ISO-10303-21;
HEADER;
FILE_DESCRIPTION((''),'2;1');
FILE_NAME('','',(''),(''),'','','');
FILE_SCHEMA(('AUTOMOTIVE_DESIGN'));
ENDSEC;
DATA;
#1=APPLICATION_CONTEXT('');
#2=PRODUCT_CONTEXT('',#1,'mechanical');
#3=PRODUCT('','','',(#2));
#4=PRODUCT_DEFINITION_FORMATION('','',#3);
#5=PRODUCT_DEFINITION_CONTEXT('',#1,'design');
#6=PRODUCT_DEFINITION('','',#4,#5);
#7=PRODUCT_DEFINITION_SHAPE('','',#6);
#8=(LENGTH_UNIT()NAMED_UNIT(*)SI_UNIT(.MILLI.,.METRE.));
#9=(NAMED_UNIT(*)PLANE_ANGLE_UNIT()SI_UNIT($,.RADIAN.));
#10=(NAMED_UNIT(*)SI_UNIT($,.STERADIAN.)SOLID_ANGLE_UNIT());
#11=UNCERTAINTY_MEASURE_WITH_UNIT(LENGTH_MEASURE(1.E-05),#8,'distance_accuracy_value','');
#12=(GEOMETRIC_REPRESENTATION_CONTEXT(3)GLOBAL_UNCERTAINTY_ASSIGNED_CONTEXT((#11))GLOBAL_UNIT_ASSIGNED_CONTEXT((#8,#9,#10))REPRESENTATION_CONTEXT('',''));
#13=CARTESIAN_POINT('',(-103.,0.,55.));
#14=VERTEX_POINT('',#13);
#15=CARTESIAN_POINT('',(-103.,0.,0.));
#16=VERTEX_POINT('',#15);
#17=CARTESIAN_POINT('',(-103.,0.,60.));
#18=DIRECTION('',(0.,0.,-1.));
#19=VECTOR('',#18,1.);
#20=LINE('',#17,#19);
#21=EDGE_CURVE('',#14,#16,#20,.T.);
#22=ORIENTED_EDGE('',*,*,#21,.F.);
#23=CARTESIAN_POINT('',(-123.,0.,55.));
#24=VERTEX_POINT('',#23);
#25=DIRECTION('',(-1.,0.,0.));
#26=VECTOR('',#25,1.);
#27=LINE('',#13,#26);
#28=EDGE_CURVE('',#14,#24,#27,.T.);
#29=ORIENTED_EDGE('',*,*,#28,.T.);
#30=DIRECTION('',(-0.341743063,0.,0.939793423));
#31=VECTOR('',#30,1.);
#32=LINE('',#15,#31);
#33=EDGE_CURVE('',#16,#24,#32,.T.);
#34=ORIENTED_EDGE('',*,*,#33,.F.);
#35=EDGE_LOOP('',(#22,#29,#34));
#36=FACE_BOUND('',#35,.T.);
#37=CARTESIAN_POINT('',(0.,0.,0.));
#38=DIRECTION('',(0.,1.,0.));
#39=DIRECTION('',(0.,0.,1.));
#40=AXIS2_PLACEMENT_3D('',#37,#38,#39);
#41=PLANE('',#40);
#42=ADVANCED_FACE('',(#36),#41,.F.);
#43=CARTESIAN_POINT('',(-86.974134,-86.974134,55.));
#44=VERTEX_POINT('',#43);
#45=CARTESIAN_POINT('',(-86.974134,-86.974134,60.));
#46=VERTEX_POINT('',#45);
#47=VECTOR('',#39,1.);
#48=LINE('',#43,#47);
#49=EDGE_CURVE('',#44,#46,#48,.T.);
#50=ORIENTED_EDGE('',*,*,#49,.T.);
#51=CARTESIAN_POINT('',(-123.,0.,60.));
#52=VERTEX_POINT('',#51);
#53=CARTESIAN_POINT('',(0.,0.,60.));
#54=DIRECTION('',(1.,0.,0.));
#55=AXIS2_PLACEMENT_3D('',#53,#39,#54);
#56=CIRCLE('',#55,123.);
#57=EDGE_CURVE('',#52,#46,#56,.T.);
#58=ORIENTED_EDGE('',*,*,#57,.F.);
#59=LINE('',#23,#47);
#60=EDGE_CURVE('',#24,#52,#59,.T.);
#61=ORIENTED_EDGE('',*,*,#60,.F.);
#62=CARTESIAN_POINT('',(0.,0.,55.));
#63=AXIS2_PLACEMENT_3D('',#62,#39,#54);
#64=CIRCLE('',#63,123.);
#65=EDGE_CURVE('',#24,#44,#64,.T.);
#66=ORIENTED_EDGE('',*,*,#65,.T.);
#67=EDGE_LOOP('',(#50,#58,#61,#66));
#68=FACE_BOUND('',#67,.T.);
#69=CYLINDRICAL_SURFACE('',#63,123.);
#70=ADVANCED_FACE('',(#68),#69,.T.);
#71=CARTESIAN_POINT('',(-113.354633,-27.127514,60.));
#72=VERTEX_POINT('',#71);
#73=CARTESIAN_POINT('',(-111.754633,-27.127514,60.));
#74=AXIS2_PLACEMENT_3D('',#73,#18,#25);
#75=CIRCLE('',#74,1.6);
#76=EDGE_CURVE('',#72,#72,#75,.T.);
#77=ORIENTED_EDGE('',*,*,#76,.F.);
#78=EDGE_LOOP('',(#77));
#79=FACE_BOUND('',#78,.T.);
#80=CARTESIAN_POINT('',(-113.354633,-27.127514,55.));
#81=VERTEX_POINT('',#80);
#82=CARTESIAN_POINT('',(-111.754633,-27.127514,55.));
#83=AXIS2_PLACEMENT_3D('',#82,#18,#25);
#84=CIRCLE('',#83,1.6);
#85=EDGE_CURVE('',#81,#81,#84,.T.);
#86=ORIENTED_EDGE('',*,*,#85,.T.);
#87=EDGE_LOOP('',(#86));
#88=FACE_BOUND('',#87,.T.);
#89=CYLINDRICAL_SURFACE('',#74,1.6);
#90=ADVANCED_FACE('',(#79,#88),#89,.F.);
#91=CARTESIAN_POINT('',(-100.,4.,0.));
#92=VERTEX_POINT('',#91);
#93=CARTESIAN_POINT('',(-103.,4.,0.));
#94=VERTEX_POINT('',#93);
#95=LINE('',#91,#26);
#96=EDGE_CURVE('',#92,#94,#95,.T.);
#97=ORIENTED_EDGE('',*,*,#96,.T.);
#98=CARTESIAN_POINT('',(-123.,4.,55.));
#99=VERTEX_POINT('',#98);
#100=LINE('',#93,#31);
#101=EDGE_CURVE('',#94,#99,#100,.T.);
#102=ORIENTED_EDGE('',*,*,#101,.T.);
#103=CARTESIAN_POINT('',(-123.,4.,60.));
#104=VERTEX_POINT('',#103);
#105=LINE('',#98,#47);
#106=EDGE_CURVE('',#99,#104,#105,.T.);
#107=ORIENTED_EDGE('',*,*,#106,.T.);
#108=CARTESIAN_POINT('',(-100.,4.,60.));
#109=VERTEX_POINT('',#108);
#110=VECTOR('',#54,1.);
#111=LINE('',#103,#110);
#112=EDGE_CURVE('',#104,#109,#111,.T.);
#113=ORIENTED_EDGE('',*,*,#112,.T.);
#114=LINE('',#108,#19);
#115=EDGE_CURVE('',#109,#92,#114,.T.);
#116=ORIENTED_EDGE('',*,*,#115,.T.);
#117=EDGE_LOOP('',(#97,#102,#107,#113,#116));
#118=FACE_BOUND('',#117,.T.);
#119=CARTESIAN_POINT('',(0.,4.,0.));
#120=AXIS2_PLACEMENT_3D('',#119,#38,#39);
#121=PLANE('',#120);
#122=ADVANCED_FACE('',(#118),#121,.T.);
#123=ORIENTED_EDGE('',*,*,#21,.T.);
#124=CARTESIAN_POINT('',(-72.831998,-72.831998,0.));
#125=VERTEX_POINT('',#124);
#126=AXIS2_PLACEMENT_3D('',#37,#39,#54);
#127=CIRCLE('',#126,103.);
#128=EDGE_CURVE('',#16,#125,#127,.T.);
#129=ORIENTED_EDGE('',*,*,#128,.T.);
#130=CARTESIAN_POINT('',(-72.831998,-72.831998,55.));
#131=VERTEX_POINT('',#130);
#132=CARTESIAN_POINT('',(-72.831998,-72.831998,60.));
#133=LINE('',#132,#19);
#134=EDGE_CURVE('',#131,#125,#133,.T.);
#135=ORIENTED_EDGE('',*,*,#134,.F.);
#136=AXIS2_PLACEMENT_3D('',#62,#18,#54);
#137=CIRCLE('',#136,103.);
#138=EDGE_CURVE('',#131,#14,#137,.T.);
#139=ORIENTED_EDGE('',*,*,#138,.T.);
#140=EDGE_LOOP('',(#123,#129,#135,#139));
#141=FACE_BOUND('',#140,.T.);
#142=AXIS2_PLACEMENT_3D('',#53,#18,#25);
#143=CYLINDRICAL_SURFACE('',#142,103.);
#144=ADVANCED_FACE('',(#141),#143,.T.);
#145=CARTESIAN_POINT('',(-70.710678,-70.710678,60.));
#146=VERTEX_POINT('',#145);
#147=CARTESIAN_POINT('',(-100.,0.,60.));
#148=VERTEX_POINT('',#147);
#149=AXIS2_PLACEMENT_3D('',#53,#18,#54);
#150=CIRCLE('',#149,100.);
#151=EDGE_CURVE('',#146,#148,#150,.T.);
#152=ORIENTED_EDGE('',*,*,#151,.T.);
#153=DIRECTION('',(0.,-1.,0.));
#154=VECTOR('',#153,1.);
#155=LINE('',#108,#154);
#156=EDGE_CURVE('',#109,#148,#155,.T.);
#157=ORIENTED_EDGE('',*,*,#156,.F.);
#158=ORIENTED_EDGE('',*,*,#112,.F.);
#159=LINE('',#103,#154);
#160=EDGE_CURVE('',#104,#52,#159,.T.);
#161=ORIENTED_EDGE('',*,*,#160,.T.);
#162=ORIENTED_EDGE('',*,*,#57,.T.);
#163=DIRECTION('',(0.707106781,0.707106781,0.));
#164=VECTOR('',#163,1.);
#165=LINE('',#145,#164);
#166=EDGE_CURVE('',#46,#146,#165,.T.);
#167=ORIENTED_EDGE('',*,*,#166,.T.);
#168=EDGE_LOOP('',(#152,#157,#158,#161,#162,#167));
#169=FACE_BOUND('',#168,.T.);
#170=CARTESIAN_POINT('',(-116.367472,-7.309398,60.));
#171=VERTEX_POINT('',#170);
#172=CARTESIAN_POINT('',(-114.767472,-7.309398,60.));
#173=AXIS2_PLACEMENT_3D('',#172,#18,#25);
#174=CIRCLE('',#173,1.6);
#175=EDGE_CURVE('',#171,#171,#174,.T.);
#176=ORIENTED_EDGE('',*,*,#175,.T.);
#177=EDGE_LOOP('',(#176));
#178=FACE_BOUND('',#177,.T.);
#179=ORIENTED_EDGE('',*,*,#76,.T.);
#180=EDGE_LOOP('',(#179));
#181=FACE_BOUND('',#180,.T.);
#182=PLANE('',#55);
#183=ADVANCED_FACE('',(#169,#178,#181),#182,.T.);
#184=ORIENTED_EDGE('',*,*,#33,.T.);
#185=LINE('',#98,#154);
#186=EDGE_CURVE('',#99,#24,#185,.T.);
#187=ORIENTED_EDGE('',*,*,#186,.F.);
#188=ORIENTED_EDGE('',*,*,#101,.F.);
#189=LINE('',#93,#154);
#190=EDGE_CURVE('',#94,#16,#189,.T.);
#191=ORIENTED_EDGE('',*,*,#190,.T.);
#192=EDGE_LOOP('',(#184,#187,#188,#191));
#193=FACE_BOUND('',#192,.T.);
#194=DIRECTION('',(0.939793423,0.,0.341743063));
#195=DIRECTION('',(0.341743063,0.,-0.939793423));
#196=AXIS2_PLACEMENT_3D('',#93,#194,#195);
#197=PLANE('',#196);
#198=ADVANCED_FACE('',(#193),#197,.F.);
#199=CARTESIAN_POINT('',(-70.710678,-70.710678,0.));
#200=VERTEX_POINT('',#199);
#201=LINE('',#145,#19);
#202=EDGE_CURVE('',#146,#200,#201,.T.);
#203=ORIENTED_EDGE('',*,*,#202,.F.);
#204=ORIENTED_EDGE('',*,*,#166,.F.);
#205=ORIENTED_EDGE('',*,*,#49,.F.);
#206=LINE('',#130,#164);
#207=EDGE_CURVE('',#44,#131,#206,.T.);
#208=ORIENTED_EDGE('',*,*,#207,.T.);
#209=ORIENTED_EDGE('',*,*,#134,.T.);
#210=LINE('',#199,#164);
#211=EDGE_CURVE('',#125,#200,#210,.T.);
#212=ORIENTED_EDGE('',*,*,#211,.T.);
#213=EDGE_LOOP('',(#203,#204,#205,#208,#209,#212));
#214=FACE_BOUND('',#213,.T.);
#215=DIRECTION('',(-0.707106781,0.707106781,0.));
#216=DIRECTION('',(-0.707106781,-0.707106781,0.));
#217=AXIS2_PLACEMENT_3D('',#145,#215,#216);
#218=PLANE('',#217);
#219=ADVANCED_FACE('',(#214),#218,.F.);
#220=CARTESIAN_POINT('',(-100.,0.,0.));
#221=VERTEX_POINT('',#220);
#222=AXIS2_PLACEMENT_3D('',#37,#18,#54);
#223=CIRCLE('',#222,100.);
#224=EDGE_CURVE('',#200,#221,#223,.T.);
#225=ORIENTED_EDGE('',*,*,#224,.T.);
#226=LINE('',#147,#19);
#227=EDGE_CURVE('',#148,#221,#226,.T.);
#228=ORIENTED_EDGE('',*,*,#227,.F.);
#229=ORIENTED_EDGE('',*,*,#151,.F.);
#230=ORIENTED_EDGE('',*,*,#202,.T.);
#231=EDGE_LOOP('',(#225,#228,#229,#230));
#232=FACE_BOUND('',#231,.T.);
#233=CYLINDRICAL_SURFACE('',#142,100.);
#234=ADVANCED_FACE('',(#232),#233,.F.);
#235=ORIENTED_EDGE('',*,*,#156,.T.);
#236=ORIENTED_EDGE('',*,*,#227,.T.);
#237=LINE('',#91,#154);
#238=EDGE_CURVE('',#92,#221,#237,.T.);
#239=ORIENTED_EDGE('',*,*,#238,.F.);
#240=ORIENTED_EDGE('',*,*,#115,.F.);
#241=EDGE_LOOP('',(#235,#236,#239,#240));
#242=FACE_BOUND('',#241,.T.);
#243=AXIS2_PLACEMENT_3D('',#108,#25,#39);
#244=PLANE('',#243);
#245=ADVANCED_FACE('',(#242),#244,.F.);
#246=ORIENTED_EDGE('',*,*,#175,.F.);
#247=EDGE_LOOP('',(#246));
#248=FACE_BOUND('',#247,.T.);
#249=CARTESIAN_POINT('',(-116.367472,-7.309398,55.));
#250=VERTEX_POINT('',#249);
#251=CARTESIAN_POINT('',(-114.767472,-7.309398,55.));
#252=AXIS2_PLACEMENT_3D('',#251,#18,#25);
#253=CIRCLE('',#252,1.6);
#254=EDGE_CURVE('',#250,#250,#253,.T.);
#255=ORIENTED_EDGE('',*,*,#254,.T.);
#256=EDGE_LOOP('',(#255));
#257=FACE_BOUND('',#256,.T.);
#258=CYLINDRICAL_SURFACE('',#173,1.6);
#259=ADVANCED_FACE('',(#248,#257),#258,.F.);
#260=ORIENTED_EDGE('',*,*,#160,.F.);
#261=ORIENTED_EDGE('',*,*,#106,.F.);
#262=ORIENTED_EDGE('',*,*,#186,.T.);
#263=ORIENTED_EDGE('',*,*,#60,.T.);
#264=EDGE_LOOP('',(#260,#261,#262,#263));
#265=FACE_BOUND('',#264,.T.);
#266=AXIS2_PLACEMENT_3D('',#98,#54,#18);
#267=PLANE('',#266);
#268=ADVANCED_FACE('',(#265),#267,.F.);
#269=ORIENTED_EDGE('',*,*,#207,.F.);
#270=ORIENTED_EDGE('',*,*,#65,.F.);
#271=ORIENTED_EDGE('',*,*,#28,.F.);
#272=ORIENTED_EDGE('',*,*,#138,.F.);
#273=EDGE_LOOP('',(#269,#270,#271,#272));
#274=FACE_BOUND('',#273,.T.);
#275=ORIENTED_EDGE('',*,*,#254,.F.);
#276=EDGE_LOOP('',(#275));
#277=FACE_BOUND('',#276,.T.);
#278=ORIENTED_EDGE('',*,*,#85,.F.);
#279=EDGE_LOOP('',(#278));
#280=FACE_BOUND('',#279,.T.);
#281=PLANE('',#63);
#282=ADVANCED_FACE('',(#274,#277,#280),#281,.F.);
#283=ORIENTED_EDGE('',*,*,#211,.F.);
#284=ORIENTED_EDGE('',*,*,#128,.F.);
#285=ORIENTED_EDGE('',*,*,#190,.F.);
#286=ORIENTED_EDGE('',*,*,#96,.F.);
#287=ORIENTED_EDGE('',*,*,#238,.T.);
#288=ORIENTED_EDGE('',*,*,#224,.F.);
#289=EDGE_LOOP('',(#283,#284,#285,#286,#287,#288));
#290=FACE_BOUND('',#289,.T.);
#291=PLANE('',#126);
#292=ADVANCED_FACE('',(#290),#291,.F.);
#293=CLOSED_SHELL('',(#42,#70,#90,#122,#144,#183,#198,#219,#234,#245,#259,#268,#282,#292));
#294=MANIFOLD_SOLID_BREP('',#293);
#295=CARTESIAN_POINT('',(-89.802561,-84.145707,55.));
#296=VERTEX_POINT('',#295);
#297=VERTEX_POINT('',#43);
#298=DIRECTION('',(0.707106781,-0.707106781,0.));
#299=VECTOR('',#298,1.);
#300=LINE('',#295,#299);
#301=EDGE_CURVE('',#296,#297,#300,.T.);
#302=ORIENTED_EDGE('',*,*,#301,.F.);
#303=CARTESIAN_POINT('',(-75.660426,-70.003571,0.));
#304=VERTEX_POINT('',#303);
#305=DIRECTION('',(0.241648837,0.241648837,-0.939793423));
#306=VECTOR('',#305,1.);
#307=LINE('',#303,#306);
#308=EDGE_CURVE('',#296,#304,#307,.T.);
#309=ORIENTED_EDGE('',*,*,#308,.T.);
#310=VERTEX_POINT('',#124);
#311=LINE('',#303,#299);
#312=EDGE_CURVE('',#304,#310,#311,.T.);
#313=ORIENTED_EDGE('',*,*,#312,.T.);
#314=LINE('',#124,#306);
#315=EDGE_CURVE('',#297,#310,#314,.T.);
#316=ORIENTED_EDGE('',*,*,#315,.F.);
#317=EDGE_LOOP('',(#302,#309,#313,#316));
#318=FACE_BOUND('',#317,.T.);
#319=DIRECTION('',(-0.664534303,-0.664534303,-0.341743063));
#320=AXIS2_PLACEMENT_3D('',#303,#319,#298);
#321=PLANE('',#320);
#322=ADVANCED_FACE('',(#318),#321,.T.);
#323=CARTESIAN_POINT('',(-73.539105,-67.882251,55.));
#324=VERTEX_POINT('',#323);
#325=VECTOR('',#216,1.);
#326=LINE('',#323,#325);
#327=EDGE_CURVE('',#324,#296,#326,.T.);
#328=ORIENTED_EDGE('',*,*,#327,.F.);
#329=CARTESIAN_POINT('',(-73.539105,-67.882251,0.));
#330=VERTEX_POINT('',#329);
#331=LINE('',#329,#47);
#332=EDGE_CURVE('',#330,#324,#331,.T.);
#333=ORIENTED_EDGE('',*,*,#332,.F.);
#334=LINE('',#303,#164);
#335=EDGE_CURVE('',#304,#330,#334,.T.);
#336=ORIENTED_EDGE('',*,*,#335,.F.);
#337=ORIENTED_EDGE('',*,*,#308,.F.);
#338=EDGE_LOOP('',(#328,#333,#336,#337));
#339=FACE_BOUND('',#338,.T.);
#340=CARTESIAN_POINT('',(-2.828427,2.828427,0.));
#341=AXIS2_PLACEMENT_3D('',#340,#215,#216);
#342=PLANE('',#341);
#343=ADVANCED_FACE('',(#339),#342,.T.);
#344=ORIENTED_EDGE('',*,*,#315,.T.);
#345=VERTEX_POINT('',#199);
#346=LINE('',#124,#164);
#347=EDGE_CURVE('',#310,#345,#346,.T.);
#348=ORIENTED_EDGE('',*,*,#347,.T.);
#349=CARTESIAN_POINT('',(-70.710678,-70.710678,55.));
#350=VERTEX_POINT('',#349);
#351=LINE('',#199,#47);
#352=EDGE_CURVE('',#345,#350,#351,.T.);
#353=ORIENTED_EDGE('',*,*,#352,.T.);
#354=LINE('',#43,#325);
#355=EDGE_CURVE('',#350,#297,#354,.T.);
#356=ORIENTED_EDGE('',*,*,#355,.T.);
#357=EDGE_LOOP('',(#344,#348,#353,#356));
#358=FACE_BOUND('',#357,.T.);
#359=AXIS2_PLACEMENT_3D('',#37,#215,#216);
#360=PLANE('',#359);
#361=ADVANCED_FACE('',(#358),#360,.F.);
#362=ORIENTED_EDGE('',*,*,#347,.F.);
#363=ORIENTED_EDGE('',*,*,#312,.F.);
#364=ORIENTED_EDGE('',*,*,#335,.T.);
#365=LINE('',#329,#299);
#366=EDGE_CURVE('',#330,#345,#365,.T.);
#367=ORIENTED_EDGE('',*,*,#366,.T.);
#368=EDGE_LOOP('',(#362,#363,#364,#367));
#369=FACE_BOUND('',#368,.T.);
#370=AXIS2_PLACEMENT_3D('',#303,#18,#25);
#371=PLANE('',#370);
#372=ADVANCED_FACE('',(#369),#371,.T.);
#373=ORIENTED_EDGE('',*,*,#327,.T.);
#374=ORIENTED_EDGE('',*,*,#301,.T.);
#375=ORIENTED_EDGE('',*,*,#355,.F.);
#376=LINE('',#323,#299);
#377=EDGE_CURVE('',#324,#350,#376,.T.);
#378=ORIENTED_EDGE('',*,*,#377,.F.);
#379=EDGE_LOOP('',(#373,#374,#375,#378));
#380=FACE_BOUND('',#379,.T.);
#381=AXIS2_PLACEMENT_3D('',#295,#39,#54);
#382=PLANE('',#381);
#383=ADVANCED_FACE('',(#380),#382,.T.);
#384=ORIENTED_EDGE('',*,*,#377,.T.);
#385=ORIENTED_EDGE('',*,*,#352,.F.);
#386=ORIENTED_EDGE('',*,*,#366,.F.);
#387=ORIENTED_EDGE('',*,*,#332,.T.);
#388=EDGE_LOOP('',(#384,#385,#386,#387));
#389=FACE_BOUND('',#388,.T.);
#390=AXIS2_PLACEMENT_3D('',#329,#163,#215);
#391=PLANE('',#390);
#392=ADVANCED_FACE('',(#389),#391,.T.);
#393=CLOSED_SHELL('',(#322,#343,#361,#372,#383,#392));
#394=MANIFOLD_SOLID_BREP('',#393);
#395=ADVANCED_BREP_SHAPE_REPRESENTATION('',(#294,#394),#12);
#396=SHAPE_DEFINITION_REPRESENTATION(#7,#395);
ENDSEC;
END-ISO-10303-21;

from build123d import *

# Parameters (mm, degrees)
EXTRUDE_1_DEPTH     = 60
EXTRUDE_START       = -5
EXTRUDE_2_DEPTH     = 5
SKETCH_4_R          = 1.6
CUT_EXTRUDE_1_DEPTH = 161.369884954
EXTRUDE_3_DEPTH     = 4
EXTRUDE_4_DEPTH     = 4


with BuildPart() as part:
    # 草图1 → 凸台-拉伸1 (new body)
    with BuildSketch(Plane.XY):
        with BuildLine():
            Line((-100, 0), (-103, 0))
            ThreePointArc((-103, 0), (-95.159591849, -39.416393534), (-72.831998462, -72.831998462))
            Line((-72.831998462, -72.831998462), (-70.710678119, -70.710678119))
            ThreePointArc((-70.710678119, -70.710678119), (-92.387953251, -38.268343237), (-100, 0))
        make_face()
    extrude(amount=EXTRUDE_1_DEPTH)

    # 草图2 → 凸台-拉伸2 (add)
    with BuildSketch(Plane.XY.offset(60).offset(EXTRUDE_START)):
        with BuildLine():
            Line((-103, 0), (-123, 0))
            ThreePointArc((-123, 0), (-113.637182499, -47.070062181), (-86.974134086, -86.974134086))
            Line((-86.974134086, -86.974134086), (-72.831998462, -72.831998462))
            ThreePointArc((-72.831998462, -72.831998462), (-95.159591849, -39.416393534), (-103, 0))
        make_face()
    extrude(amount=EXTRUDE_2_DEPTH)

    # 草图4 → 切除-拉伸1 (cut, through all)
    with BuildSketch(Plane(origin=(0, 0, 55), x_dir=(-1, 0, 0), z_dir=(0, 0, -1))):
        with Locations((111.754632886, -27.127514233)):
            Circle(SKETCH_4_R)
        with Locations((114.767472313, -7.30939799)):
            Circle(SKETCH_4_R)
    extrude(amount=-CUT_EXTRUDE_1_DEPTH, mode=Mode.SUBTRACT)

    # 草图7 → 凸台-拉伸4 (add)
    with BuildSketch(Plane(origin=(0, 0, 0), x_dir=(1, 0, 0), z_dir=(0, 1, 0))):
        Polygon((-103, 0), (-123, -55), (-123, -60), (-100, -60), (-100, 0), align=None)
    extrude(amount=EXTRUDE_4_DEPTH)


with BuildPart() as body_2:
    # 草图6 → 凸台-拉伸3 (new body)
    with BuildSketch(Plane(origin=(0, 0, 0), x_dir=(0, 0, -1), z_dir=(0.7071067811865477, -0.7071067811865475, 0))):
        Polygon((-55, -123), (-55, -103), (-55, -100), (0, -100), (0, -103), align=None)
    extrude(amount=-EXTRUDE_3_DEPTH)


solid = Compound([part.part, body_2.part])
